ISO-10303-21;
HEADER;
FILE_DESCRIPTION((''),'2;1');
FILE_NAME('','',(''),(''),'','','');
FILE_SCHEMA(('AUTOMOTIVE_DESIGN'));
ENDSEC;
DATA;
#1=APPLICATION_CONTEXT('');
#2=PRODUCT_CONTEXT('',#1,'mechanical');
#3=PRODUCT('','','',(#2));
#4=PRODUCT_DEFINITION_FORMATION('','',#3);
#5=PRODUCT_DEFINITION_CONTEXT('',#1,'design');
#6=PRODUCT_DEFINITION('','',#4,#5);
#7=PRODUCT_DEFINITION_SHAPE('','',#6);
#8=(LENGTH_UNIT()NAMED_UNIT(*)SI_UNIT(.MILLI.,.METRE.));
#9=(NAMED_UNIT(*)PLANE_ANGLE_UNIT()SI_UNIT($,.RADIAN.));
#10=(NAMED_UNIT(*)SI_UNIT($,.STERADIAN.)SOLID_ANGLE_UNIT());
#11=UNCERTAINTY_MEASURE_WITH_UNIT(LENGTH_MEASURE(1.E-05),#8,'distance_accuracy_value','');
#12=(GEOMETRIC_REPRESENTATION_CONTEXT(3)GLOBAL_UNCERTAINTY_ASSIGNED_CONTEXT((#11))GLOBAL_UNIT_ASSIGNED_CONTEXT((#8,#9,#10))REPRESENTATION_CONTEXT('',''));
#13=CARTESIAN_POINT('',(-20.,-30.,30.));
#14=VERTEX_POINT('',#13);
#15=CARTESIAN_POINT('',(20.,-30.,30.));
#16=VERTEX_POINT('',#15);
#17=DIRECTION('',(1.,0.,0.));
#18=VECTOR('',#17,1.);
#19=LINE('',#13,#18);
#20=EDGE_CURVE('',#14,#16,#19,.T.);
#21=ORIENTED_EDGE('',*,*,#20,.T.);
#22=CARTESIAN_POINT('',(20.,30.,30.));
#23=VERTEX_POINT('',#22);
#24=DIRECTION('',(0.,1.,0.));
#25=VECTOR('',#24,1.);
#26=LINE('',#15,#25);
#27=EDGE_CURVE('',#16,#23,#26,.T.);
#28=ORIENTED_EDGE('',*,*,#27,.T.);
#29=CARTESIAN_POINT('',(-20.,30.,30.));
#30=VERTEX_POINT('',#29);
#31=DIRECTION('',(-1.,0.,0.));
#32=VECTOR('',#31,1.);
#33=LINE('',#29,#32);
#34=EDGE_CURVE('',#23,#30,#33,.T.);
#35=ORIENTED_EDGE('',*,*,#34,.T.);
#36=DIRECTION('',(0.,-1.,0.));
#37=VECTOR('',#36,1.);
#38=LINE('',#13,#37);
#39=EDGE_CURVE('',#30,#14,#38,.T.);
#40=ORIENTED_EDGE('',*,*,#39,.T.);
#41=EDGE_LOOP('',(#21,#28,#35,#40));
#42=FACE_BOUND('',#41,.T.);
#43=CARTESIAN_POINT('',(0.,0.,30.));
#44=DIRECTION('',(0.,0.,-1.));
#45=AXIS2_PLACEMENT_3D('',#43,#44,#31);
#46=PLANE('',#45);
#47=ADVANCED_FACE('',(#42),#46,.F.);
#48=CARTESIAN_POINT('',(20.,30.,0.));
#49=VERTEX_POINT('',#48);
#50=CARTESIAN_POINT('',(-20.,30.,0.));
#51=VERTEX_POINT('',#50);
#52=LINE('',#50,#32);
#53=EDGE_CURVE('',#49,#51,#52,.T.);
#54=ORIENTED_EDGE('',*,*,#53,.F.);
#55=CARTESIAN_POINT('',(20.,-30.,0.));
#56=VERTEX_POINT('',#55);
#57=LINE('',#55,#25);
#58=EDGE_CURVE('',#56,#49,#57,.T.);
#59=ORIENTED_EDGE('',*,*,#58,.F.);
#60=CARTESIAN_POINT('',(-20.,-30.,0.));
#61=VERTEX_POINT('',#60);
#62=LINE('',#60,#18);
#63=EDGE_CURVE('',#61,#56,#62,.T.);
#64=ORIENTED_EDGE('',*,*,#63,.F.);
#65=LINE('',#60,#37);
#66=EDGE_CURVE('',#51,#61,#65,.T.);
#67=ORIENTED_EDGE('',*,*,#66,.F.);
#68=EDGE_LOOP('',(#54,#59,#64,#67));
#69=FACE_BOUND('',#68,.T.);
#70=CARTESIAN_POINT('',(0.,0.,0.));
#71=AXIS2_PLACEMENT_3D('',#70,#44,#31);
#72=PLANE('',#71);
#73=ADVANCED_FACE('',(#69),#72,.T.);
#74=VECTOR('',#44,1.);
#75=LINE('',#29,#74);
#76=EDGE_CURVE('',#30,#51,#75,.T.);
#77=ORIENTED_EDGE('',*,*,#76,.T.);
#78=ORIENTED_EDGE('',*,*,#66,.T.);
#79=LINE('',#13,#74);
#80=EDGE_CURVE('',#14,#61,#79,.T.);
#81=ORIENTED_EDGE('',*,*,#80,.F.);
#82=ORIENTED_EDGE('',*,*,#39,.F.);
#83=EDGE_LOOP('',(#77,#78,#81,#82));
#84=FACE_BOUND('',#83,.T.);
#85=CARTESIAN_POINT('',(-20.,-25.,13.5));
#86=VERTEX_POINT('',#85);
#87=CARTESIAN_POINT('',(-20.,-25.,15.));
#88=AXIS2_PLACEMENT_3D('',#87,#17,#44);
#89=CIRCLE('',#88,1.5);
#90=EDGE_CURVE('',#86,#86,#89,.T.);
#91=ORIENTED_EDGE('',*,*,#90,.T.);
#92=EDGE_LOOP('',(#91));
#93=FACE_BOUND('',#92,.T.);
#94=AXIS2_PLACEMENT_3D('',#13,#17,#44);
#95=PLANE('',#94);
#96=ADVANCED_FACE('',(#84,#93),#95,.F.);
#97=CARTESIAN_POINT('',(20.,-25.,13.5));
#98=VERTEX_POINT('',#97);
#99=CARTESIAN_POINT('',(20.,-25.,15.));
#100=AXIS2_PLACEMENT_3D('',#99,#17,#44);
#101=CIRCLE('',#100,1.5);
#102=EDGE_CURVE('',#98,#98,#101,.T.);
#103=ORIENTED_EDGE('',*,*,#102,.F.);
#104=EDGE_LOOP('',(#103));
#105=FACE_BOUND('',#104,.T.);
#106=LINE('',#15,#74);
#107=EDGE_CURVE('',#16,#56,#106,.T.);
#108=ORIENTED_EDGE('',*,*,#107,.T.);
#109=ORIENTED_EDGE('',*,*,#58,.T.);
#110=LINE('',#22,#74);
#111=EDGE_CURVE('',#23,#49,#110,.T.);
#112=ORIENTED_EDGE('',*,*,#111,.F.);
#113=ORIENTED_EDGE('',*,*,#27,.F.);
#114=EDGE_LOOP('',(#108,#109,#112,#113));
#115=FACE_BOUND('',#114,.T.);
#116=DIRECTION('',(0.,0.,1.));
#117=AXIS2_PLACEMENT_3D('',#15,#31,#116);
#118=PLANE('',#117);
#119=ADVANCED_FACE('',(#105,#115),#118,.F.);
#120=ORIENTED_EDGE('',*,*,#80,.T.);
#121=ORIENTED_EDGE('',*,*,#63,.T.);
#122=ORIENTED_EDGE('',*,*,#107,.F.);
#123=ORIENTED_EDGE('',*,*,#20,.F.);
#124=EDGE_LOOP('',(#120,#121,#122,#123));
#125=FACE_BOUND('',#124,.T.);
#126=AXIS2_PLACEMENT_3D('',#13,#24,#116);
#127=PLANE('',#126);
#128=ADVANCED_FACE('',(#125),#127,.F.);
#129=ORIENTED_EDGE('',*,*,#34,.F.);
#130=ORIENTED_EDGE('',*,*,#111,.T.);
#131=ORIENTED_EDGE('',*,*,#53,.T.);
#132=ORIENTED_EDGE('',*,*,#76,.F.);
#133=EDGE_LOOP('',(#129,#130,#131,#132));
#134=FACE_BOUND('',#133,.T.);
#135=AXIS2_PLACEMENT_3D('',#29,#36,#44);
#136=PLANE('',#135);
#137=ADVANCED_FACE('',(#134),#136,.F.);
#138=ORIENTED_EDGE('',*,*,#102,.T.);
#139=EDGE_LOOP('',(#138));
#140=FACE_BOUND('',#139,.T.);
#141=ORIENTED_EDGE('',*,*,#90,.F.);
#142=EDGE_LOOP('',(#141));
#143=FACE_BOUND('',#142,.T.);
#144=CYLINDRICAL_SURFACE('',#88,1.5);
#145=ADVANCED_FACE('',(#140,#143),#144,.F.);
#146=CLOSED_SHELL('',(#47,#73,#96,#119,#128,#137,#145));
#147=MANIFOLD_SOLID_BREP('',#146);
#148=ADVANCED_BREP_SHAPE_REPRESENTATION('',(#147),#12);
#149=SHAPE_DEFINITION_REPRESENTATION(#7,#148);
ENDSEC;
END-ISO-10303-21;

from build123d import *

# Parameters (mm, degrees)
SKETCH1_W           = 40
SKETCH1_H           = 60
BOSS_EXTRUDE1_DEPTH = 30
SKETCH2_R           = 1.5
CUT_EXTRUDE1_DEPTH  = 59.309518948


with BuildPart() as part:
    # Sketch1 → Boss-Extrude1 (new body)
    with BuildSketch(Plane.XY):
        Rectangle(SKETCH1_W, SKETCH1_H)
    extrude(amount=BOSS_EXTRUDE1_DEPTH)

    # Sketch2 → Cut-Extrude1 (cut, through all)
    with BuildSketch(Plane(origin=(20, 0, 0), x_dir=(0, 0, -1), z_dir=(1, 0, 0))):
        with Locations((-15, -25)):
            Circle(SKETCH2_R)
    extrude(amount=-CUT_EXTRUDE1_DEPTH, mode=Mode.SUBTRACT)


solid = part.part
